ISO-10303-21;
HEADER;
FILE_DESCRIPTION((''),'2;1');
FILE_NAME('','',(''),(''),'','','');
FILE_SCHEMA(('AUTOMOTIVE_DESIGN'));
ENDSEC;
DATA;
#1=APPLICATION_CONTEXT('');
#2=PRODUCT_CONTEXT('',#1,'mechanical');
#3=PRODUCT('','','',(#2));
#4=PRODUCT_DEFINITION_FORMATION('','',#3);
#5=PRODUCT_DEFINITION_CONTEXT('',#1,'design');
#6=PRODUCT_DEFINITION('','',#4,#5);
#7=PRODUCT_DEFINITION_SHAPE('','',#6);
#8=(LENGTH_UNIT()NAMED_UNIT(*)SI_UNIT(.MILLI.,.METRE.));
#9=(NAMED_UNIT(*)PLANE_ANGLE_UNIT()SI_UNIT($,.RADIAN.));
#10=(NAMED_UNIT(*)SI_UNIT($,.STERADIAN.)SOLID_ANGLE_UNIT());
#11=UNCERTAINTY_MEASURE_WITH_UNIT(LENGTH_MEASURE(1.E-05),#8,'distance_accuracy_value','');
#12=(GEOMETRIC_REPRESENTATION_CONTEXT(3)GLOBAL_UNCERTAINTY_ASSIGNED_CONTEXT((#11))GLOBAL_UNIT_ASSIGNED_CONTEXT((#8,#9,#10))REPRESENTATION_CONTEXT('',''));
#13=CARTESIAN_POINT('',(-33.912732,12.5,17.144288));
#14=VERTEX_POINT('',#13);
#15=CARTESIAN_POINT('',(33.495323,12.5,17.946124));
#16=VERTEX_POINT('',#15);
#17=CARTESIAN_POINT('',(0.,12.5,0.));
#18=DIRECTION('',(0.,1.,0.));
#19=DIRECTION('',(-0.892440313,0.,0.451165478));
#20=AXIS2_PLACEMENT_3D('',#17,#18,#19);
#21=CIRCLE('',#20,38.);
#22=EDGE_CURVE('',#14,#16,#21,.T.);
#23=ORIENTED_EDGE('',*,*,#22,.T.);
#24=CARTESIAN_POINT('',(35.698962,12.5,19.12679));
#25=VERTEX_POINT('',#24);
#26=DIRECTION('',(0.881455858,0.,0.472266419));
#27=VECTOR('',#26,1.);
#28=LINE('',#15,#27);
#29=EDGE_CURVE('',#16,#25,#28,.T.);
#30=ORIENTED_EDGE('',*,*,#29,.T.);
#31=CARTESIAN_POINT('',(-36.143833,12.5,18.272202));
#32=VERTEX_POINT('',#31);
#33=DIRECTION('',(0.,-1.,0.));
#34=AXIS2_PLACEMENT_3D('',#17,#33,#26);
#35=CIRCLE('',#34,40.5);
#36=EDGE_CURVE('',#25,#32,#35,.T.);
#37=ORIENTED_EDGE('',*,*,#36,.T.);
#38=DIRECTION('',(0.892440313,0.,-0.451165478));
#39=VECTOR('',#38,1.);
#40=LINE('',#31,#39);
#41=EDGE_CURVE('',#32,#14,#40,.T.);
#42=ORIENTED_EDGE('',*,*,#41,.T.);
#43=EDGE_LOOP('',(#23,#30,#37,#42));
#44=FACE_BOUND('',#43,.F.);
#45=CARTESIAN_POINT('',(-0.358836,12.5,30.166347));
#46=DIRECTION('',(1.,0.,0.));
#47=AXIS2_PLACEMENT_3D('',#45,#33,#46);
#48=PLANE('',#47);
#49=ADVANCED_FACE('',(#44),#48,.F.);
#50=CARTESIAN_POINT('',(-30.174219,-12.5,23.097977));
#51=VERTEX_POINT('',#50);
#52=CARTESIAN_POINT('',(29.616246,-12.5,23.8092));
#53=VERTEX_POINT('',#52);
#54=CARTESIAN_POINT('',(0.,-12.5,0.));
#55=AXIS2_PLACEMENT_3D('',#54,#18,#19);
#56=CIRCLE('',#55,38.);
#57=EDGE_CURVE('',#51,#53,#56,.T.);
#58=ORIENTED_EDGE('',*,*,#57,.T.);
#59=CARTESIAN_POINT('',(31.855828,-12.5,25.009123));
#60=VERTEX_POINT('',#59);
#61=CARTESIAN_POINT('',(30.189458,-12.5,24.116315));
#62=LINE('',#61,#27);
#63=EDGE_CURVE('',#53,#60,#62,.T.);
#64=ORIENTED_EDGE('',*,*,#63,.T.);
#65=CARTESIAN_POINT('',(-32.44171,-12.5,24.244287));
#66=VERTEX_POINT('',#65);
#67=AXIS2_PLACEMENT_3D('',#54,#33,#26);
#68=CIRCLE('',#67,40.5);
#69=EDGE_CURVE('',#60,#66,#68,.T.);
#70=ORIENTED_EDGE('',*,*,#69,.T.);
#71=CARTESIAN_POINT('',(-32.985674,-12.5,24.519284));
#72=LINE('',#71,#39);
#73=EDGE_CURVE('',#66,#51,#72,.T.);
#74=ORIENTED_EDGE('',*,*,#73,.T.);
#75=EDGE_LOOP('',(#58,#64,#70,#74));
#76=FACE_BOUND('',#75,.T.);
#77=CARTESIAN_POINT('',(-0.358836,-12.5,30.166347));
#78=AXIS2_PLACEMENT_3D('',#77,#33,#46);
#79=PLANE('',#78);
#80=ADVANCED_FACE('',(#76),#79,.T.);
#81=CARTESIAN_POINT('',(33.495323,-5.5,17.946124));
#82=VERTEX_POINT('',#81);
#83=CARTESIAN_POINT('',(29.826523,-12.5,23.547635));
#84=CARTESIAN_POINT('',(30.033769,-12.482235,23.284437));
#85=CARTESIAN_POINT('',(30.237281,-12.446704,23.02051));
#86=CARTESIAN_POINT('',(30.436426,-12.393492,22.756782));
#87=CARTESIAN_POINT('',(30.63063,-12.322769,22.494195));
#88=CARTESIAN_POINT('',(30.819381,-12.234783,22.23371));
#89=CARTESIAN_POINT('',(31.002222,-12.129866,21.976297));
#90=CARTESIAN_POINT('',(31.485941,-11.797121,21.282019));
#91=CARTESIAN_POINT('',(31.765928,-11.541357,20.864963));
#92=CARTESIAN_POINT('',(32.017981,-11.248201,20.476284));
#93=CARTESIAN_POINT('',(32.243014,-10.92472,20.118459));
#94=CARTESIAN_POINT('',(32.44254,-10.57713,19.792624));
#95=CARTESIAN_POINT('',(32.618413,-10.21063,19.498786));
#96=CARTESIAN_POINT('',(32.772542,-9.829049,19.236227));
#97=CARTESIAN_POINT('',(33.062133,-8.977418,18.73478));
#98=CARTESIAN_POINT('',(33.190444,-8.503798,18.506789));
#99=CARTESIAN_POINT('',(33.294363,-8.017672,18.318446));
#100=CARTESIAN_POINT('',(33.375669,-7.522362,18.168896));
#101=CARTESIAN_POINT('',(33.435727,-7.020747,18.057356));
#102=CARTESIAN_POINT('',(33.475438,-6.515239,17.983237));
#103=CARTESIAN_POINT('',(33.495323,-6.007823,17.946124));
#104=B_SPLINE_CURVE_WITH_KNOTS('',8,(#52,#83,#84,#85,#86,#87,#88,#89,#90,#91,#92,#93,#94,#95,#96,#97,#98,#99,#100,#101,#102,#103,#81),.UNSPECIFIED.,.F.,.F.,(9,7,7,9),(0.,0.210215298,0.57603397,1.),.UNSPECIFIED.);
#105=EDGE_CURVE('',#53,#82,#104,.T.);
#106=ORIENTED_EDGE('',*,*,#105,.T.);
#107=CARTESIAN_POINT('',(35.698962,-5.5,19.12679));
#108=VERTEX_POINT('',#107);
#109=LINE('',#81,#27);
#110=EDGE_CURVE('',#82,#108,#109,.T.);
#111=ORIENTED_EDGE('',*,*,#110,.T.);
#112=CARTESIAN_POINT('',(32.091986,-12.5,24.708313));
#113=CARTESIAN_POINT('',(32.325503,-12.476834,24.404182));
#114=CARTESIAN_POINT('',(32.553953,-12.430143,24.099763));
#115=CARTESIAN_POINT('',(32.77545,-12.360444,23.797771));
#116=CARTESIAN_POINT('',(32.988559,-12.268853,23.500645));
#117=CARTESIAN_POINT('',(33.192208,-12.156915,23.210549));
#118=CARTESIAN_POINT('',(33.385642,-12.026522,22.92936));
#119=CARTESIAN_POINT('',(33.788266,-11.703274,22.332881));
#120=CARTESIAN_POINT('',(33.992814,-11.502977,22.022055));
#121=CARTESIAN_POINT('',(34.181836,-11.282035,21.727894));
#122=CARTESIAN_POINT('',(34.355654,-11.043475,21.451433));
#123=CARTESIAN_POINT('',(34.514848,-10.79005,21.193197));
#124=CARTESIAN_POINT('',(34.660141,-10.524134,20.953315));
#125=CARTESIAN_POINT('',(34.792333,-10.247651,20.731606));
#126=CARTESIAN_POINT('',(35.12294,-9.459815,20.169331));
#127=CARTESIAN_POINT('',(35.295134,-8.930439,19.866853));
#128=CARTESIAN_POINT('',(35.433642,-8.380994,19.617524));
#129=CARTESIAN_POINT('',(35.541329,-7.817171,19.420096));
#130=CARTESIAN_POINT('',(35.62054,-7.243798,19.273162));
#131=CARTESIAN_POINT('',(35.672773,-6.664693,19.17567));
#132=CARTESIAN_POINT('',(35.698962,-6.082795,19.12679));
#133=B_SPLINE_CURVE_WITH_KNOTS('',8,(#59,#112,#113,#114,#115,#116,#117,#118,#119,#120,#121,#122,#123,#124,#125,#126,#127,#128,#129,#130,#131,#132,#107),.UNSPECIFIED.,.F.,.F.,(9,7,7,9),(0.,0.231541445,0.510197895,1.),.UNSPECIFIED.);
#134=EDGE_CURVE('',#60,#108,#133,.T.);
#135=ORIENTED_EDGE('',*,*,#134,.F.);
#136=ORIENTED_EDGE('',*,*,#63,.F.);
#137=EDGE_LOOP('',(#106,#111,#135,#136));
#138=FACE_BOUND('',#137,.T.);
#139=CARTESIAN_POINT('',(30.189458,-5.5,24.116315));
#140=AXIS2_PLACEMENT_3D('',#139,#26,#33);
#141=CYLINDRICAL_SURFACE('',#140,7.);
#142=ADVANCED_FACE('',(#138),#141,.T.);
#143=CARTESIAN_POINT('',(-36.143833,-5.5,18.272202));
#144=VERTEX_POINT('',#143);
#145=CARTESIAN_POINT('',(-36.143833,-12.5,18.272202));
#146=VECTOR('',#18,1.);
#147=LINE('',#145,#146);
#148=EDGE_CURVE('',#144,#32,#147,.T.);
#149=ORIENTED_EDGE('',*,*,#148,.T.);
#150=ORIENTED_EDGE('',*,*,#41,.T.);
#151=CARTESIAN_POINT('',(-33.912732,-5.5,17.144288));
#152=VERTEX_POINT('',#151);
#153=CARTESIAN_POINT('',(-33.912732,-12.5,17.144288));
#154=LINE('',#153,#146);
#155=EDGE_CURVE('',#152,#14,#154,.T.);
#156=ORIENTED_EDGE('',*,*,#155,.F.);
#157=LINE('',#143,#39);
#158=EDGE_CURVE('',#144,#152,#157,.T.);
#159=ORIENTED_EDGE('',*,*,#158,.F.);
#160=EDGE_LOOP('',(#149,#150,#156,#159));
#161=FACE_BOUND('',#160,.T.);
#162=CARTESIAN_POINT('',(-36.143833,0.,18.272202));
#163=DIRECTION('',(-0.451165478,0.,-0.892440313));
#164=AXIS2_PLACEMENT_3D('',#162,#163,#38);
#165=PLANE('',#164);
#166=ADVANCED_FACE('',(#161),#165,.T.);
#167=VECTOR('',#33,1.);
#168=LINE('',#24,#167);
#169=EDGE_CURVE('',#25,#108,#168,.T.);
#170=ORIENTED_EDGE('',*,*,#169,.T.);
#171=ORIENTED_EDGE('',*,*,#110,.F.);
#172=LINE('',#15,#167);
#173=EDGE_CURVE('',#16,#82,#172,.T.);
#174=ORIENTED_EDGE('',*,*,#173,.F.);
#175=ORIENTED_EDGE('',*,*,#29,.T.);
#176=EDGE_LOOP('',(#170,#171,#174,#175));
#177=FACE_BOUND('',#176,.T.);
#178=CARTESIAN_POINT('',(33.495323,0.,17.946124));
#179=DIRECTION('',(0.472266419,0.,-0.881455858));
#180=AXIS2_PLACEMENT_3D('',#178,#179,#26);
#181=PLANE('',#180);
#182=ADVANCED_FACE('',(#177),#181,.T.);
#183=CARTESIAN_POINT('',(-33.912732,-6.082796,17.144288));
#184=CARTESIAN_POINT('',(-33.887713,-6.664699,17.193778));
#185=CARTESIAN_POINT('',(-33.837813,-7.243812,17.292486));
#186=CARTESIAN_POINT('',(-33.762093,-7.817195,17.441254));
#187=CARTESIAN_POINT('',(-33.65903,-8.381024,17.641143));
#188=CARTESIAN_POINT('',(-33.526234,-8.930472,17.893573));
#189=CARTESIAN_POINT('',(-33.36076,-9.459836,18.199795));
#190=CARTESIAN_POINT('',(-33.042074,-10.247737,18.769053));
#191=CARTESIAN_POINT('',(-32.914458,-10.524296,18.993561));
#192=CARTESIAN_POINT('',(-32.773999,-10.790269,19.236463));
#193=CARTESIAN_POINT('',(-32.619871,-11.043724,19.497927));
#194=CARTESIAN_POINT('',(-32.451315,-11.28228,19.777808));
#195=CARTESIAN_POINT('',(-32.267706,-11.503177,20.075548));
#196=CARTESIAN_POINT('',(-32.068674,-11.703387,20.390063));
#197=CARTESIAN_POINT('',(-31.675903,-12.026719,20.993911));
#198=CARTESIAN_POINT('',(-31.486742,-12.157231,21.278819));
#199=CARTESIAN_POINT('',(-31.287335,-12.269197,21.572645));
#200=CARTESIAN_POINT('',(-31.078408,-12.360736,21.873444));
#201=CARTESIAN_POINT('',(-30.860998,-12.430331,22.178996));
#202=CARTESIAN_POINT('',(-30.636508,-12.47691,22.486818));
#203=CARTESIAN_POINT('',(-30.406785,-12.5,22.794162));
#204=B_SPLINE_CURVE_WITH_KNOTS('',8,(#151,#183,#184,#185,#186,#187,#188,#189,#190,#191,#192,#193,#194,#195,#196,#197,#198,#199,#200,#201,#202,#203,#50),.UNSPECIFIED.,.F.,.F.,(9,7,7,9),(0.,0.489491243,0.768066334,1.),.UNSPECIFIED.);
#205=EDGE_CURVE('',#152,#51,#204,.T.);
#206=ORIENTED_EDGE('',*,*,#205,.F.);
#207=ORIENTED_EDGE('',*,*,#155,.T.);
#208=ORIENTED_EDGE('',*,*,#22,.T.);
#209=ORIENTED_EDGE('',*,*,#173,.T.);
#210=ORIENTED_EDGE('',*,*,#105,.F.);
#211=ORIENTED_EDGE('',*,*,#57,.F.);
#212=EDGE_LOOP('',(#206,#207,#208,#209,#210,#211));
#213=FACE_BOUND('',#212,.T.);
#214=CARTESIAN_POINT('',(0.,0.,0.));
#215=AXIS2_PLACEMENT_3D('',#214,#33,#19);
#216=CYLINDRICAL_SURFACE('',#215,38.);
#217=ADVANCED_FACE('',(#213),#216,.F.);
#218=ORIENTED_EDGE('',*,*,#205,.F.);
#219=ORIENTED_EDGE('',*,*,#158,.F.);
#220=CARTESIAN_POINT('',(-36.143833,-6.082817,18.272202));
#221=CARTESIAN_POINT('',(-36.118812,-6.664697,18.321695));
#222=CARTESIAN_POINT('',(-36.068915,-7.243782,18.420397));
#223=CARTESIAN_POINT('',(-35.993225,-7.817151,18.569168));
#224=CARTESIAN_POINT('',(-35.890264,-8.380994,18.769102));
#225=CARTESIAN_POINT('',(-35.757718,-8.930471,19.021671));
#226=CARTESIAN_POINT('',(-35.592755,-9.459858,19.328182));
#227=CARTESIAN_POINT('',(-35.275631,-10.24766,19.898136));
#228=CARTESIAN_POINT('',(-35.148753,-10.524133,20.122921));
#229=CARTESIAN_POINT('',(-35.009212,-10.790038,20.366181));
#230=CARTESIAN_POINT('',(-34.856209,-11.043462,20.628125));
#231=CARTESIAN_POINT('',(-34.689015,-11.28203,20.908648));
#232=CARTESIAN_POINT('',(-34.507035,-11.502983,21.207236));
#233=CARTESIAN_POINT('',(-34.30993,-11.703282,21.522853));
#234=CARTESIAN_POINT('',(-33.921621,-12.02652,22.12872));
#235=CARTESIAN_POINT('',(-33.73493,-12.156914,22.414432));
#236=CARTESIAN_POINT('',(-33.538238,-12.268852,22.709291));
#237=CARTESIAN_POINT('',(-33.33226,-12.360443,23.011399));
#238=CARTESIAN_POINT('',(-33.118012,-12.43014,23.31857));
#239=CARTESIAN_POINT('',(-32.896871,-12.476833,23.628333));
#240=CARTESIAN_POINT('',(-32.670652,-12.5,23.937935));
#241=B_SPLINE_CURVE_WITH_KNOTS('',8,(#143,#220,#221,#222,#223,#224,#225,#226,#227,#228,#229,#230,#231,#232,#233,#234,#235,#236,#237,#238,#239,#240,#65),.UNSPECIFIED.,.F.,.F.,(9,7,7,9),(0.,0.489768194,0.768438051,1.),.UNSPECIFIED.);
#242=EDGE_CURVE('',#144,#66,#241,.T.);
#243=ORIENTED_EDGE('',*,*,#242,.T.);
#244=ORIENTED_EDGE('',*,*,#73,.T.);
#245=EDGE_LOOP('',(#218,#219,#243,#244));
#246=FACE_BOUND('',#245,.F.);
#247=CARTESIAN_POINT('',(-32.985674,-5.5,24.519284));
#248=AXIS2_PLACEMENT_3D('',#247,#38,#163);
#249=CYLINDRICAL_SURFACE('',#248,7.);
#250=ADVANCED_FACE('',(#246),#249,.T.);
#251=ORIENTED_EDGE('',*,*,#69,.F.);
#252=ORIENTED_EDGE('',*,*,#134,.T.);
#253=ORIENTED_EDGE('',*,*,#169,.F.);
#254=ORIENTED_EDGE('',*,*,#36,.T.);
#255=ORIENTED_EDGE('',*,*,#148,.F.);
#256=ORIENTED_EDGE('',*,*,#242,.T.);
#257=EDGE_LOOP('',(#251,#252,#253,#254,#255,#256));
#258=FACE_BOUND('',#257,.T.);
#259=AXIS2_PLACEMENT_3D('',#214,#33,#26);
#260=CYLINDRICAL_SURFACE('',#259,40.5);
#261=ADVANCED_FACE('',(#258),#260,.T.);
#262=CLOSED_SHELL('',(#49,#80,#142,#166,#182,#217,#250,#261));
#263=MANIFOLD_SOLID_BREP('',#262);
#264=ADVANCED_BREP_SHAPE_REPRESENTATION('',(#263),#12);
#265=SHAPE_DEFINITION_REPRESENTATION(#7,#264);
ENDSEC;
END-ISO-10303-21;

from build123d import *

# Parameters (mm, degrees)
F1_DEPTH = 12.5
F2_R     = 7


with BuildPart() as f1:
    # F0 (on Front) → F1 (new body, symmetric)
    with BuildSketch(Plane.XZ):
        with BuildLine():
            ThreePointArc((-33.9127318794, 17.1442881589), (-0.4519875923, 37.997311842), (33.4953225916, 17.9461239405))
            Line((33.4953225916, 17.9461239405), (35.6989622357, 19.1267899892))
            ThreePointArc((35.6989622357, 19.1267899892), (-0.4817236181, 40.4971349895), (-36.143832661, 18.2722018536))
            Line((-36.143832661, 18.2722018536), (-33.9127318794, 17.1442881589))
        make_face()
    extrude(amount=F1_DEPTH, both=True)

    # F2
    f2_edges = [f1.edges().sort_by_distance(p)[0] for p in [
        (34.597142, -12.5, 18.536457),
        (-35.028282, -12.5, 17.708245),
    ]]
    fillet(f2_edges, radius=F2_R)


solid = f1.part
